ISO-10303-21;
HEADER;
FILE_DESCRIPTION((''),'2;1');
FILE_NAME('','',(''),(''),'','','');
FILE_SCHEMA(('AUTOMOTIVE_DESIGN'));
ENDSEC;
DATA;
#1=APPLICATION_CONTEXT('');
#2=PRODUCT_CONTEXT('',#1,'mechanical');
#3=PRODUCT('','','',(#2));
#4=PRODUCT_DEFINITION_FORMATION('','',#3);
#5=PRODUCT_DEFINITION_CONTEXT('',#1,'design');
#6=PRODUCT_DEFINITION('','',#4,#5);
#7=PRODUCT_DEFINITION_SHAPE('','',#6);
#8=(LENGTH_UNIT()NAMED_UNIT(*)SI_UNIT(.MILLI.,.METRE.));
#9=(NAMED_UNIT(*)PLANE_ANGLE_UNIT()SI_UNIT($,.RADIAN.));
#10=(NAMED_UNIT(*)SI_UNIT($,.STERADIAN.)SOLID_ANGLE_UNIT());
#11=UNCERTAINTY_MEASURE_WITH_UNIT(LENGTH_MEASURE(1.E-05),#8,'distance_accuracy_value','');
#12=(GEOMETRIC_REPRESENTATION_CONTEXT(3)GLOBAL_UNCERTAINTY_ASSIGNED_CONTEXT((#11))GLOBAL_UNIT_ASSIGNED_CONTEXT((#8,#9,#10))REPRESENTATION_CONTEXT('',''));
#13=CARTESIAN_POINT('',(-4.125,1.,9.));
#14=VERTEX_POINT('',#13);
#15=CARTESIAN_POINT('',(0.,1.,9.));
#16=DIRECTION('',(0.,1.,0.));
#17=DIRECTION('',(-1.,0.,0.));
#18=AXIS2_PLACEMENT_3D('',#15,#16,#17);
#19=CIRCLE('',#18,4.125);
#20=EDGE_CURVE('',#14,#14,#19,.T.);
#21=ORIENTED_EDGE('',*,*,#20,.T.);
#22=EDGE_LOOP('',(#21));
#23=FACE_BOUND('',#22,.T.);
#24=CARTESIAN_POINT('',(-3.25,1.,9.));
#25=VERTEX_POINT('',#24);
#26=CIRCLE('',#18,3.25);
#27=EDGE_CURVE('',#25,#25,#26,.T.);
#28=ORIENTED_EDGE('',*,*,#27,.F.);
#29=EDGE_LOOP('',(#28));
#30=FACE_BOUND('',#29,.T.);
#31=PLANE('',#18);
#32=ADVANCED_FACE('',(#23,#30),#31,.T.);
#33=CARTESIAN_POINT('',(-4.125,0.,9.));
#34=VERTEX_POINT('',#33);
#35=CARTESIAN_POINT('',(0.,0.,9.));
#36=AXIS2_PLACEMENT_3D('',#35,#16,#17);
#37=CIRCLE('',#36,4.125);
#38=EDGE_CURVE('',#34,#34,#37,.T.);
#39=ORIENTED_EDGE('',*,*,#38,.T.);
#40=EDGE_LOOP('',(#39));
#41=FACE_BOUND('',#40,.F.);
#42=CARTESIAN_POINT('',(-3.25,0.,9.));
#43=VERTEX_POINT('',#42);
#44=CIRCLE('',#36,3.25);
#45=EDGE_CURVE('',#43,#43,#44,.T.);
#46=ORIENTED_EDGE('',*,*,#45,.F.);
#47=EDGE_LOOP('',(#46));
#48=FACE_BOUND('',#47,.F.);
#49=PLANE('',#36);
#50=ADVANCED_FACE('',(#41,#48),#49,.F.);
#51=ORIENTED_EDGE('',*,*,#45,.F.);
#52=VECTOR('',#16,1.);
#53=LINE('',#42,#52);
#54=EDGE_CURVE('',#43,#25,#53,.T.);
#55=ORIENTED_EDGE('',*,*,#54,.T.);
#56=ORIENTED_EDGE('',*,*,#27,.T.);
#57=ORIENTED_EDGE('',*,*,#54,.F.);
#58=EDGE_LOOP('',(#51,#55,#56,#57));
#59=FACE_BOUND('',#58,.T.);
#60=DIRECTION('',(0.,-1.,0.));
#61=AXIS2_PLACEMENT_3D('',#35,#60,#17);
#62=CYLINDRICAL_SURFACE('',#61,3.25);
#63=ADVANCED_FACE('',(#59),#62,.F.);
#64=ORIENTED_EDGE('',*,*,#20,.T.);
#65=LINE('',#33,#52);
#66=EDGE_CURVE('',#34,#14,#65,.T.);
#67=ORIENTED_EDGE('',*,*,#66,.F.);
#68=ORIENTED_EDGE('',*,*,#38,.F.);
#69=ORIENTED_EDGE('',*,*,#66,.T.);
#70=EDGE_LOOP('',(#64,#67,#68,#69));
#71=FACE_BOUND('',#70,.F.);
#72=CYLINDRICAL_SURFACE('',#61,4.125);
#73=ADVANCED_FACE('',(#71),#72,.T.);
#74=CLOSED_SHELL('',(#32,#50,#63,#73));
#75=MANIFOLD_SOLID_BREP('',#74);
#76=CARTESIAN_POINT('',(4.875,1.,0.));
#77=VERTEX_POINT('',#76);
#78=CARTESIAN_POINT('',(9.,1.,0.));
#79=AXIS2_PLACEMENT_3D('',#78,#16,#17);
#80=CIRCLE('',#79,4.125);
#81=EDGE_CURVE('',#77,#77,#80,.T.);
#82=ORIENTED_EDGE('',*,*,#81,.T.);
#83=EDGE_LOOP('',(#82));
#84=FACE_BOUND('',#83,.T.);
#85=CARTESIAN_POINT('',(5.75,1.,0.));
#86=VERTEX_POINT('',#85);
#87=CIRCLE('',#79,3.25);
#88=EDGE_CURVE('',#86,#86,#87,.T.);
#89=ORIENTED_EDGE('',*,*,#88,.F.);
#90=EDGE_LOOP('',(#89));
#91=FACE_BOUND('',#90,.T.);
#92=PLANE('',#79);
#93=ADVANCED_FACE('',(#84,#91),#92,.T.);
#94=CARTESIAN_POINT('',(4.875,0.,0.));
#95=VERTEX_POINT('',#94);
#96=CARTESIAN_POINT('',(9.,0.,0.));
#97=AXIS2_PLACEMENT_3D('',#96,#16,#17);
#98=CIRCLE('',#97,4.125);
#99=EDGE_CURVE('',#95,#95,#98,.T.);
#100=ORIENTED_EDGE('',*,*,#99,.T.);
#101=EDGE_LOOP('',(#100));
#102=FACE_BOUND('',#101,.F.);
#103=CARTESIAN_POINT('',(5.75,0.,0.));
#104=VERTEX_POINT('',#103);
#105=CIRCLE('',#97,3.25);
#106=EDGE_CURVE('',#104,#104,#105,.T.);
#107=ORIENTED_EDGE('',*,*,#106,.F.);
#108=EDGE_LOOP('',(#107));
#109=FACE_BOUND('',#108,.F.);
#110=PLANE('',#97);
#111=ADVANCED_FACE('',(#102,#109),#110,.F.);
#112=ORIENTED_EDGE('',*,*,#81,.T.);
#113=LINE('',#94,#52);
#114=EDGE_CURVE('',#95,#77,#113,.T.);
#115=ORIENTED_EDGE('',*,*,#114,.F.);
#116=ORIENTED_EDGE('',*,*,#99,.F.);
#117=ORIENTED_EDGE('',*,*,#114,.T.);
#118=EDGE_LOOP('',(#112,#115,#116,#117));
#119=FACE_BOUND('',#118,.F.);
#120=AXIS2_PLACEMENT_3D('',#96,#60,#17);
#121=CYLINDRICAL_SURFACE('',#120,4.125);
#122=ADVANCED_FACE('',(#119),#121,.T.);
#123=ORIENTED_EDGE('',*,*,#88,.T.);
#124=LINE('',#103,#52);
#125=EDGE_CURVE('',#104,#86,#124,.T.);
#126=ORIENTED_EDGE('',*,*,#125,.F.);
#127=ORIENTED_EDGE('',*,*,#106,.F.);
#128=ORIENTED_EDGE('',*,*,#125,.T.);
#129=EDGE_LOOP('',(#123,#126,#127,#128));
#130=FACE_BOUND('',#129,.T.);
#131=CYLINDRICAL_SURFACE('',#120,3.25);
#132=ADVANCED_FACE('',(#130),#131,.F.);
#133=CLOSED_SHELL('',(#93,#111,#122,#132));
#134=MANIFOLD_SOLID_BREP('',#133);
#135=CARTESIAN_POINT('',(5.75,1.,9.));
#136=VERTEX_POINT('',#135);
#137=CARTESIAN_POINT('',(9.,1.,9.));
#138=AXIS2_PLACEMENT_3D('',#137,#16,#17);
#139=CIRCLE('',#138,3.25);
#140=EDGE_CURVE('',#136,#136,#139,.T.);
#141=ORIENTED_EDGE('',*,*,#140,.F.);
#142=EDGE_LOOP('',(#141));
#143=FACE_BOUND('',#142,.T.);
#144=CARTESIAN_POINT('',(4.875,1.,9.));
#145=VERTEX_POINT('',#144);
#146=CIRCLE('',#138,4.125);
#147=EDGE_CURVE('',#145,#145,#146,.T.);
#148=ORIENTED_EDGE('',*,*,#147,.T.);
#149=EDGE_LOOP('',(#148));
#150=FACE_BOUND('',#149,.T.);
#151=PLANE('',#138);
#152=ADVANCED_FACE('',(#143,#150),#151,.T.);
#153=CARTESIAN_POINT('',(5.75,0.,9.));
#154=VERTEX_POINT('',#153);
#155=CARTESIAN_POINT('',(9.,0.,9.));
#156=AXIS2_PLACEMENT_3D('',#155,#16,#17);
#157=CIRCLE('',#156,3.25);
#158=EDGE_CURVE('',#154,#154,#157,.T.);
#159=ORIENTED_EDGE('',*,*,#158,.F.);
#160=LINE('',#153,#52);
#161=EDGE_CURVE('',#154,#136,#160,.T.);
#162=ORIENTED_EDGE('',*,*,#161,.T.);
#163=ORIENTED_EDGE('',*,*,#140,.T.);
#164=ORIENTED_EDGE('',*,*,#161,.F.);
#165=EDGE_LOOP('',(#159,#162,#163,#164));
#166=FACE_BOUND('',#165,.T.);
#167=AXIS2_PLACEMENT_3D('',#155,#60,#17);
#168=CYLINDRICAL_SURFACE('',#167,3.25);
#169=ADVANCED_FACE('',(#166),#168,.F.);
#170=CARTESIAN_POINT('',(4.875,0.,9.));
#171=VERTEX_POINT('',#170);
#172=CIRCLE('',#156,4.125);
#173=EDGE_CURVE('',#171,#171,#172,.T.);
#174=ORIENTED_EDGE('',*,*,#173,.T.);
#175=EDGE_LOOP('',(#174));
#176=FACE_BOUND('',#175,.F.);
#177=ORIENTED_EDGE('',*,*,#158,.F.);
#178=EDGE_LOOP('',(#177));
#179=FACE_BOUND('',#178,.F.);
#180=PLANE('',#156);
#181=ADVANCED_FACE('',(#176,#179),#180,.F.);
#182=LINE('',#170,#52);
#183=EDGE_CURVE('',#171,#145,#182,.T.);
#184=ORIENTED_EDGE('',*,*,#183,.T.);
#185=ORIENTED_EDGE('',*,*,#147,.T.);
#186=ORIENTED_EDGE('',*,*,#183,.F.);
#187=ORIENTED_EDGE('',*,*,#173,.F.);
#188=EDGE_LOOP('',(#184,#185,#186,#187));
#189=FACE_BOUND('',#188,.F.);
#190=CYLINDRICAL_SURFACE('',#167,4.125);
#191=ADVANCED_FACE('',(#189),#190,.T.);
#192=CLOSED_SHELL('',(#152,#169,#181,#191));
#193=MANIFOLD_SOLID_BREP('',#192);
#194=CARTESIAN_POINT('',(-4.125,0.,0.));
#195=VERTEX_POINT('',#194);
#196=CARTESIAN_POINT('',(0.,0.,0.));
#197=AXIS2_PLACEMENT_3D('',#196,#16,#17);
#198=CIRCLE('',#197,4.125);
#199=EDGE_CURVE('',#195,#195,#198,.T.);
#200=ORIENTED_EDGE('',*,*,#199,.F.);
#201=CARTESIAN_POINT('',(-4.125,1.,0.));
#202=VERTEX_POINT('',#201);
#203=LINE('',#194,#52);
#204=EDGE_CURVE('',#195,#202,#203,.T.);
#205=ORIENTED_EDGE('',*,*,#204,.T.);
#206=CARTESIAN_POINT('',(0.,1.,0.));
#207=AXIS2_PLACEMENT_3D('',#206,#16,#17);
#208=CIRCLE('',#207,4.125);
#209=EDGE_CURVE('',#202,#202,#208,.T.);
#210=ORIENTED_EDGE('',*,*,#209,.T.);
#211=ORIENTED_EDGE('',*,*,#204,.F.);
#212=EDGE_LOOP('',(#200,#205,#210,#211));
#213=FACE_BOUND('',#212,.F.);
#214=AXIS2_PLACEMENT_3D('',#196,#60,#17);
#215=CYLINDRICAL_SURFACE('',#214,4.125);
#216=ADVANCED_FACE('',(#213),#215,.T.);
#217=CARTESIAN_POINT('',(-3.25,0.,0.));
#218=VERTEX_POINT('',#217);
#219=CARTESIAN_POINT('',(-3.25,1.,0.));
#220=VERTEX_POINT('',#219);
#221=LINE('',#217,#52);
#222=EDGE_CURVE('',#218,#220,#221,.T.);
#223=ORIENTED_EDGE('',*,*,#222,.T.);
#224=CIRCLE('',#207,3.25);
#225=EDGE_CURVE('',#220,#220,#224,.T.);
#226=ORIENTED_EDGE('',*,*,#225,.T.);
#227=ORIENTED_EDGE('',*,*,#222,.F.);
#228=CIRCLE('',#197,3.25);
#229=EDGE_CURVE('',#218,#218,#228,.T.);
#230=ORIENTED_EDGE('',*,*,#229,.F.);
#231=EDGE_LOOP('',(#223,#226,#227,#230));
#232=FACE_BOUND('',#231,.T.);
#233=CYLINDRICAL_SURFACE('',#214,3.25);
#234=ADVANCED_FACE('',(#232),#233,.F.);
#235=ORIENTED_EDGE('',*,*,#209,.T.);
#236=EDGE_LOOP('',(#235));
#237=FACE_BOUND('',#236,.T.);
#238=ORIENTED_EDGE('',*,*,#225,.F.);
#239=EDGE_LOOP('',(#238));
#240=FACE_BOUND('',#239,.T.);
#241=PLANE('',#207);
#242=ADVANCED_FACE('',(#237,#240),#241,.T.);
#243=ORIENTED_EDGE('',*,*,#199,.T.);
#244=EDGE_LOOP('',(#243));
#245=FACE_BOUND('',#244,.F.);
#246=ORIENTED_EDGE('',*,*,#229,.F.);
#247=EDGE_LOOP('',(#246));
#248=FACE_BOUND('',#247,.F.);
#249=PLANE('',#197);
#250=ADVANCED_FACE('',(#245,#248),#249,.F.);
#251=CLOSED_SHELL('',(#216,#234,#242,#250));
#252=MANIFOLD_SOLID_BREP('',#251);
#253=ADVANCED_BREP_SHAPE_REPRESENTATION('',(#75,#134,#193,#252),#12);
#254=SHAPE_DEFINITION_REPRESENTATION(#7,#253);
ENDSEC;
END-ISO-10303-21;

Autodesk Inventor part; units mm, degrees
ref_plane "YZ Plane" through (0, 0, 0) normal (1, 0, 0) x (0, 1, 0)
ref_plane "XZ Plane" through (0, 0, 0) normal (0, 1, 0) x (-1, 0, 0)
ref_plane "XY Plane" through (0, 0, 0) normal (0, 0, 1) x (1, 0, 0)
sketch "Sketch1" plane through (0, 0, 0) normal (0, 1, 0) x (-1, 0, 0)
  circle A0 centre (0, 0) radius 4.125
  circle A1 centre (0, 0) radius 3.25
  dimension "d0" = 8.25
  dimension "d1" = 6.5
extrude "Extrusion1" add sketch "Sketch1" along normal blind 1
pattern_linear "Rectangular Pattern1" count 2 spacing 9 along (1, 0, 0) count 2 spacing 9 along (0, 0, 1) of "Extrusion1"
properties part number "spool_holder_inner_washer"
